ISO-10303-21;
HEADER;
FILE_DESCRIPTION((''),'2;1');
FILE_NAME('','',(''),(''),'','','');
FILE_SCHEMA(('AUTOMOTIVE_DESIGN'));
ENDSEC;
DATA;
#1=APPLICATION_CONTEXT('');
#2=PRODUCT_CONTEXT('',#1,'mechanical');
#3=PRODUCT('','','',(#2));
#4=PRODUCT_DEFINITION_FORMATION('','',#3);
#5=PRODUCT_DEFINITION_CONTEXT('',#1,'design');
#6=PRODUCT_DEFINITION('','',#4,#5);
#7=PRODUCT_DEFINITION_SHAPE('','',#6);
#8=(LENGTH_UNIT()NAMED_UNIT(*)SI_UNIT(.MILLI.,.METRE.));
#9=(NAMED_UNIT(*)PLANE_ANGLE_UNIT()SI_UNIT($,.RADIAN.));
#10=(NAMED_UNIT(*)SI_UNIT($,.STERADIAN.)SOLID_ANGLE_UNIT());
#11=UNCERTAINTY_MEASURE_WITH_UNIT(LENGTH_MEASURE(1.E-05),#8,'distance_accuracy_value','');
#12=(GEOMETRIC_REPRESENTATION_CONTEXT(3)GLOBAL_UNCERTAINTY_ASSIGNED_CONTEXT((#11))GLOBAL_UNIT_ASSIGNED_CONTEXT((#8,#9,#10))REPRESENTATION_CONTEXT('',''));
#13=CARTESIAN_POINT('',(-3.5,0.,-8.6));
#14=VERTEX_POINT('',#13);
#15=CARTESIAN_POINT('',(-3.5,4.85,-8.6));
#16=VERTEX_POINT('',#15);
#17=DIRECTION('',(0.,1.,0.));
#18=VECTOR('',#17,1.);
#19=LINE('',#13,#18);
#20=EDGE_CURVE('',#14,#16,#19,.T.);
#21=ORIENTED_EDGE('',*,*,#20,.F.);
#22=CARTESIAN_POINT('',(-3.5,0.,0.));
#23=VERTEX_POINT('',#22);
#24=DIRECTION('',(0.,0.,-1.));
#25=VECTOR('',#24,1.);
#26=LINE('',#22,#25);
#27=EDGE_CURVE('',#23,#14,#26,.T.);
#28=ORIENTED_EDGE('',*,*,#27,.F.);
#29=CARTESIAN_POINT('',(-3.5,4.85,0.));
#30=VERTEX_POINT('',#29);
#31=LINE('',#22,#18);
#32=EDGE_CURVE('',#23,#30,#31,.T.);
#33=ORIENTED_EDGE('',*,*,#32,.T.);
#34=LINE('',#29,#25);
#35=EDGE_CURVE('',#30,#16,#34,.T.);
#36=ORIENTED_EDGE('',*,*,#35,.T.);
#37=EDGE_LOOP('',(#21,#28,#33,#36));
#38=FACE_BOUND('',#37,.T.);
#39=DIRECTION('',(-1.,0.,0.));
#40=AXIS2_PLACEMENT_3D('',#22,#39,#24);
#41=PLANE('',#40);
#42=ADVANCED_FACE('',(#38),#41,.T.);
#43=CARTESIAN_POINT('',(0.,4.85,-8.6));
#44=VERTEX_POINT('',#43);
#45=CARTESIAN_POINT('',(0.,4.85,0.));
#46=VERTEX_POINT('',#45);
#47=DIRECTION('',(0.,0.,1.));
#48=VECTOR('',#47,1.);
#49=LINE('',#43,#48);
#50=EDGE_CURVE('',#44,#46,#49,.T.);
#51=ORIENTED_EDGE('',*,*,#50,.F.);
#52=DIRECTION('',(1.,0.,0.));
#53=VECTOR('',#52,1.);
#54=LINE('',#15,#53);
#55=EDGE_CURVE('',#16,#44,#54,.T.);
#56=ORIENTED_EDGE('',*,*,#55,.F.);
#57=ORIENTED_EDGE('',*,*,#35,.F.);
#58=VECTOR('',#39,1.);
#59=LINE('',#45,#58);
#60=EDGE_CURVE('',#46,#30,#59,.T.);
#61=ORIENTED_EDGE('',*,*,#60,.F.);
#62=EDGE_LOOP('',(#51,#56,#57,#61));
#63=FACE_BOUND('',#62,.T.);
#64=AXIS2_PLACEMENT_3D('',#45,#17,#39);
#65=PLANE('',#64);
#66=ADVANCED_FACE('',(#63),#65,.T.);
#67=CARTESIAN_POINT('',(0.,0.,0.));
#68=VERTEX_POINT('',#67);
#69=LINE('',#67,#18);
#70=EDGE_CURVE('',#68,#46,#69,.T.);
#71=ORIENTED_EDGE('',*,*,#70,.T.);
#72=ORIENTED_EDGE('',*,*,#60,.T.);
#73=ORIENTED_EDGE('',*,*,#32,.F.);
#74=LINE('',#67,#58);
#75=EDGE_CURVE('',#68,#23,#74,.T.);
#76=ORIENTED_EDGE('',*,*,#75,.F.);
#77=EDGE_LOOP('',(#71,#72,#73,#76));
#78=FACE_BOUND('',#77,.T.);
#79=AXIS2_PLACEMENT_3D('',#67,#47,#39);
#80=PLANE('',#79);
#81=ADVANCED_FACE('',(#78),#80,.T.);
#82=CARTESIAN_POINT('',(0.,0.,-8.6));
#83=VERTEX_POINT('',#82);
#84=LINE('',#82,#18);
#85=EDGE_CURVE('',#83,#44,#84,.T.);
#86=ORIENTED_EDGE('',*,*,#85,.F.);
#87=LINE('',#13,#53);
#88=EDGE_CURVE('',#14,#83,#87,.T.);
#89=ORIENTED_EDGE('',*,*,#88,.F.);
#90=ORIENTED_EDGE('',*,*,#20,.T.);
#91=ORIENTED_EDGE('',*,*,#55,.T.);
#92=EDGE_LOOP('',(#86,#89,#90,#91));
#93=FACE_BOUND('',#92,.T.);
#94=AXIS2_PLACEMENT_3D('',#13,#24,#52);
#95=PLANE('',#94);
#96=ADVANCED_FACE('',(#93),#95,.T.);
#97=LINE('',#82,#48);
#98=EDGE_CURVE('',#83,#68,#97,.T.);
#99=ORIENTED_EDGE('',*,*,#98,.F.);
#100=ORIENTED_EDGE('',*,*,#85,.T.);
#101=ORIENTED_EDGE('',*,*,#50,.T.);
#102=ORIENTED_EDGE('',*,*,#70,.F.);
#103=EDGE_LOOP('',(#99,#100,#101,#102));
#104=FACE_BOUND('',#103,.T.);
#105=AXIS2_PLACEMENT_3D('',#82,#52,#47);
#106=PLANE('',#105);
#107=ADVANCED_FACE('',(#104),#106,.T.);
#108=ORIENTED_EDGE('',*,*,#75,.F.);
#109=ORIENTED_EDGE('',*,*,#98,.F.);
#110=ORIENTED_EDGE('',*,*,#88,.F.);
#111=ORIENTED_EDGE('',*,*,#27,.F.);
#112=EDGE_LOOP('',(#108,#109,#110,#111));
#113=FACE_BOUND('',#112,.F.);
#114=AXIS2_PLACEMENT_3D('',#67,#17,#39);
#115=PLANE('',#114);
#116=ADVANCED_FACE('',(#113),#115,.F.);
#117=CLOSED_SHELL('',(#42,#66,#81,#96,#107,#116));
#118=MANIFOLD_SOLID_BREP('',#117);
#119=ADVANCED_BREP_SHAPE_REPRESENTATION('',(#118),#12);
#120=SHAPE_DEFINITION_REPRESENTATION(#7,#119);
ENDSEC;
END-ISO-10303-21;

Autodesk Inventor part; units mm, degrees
ref_plane "YZ Plane" through (0, 0, 0) normal (1, 0, 0) x (0, 1, 0)
ref_plane "XZ Plane" through (0, 0, 0) normal (0, 1, 0) x (-1, 0, 0)
ref_plane "XY Plane" through (0, 0, 0) normal (0, 0, 1) x (1, 0, 0)
sketch "Sketch1" plane through (0, 0, 0) normal (0, 1, 0) x (-1, 0, 0)
  line L0 (0, 0) -> (3.5, 0)
  line L1 (3.5, 0) -> (3.5, -8.6)
  line L2 (3.5, -8.6) -> (0, -8.6)
  line L3 (0, -8.6) -> (0, 0)
  dimension "d0" = 3.5
  dimension "d1" = 8.6
extrude "Extrusion1" add sketch "Sketch1" along normal blind 4.85
properties part number "JST4-m"
